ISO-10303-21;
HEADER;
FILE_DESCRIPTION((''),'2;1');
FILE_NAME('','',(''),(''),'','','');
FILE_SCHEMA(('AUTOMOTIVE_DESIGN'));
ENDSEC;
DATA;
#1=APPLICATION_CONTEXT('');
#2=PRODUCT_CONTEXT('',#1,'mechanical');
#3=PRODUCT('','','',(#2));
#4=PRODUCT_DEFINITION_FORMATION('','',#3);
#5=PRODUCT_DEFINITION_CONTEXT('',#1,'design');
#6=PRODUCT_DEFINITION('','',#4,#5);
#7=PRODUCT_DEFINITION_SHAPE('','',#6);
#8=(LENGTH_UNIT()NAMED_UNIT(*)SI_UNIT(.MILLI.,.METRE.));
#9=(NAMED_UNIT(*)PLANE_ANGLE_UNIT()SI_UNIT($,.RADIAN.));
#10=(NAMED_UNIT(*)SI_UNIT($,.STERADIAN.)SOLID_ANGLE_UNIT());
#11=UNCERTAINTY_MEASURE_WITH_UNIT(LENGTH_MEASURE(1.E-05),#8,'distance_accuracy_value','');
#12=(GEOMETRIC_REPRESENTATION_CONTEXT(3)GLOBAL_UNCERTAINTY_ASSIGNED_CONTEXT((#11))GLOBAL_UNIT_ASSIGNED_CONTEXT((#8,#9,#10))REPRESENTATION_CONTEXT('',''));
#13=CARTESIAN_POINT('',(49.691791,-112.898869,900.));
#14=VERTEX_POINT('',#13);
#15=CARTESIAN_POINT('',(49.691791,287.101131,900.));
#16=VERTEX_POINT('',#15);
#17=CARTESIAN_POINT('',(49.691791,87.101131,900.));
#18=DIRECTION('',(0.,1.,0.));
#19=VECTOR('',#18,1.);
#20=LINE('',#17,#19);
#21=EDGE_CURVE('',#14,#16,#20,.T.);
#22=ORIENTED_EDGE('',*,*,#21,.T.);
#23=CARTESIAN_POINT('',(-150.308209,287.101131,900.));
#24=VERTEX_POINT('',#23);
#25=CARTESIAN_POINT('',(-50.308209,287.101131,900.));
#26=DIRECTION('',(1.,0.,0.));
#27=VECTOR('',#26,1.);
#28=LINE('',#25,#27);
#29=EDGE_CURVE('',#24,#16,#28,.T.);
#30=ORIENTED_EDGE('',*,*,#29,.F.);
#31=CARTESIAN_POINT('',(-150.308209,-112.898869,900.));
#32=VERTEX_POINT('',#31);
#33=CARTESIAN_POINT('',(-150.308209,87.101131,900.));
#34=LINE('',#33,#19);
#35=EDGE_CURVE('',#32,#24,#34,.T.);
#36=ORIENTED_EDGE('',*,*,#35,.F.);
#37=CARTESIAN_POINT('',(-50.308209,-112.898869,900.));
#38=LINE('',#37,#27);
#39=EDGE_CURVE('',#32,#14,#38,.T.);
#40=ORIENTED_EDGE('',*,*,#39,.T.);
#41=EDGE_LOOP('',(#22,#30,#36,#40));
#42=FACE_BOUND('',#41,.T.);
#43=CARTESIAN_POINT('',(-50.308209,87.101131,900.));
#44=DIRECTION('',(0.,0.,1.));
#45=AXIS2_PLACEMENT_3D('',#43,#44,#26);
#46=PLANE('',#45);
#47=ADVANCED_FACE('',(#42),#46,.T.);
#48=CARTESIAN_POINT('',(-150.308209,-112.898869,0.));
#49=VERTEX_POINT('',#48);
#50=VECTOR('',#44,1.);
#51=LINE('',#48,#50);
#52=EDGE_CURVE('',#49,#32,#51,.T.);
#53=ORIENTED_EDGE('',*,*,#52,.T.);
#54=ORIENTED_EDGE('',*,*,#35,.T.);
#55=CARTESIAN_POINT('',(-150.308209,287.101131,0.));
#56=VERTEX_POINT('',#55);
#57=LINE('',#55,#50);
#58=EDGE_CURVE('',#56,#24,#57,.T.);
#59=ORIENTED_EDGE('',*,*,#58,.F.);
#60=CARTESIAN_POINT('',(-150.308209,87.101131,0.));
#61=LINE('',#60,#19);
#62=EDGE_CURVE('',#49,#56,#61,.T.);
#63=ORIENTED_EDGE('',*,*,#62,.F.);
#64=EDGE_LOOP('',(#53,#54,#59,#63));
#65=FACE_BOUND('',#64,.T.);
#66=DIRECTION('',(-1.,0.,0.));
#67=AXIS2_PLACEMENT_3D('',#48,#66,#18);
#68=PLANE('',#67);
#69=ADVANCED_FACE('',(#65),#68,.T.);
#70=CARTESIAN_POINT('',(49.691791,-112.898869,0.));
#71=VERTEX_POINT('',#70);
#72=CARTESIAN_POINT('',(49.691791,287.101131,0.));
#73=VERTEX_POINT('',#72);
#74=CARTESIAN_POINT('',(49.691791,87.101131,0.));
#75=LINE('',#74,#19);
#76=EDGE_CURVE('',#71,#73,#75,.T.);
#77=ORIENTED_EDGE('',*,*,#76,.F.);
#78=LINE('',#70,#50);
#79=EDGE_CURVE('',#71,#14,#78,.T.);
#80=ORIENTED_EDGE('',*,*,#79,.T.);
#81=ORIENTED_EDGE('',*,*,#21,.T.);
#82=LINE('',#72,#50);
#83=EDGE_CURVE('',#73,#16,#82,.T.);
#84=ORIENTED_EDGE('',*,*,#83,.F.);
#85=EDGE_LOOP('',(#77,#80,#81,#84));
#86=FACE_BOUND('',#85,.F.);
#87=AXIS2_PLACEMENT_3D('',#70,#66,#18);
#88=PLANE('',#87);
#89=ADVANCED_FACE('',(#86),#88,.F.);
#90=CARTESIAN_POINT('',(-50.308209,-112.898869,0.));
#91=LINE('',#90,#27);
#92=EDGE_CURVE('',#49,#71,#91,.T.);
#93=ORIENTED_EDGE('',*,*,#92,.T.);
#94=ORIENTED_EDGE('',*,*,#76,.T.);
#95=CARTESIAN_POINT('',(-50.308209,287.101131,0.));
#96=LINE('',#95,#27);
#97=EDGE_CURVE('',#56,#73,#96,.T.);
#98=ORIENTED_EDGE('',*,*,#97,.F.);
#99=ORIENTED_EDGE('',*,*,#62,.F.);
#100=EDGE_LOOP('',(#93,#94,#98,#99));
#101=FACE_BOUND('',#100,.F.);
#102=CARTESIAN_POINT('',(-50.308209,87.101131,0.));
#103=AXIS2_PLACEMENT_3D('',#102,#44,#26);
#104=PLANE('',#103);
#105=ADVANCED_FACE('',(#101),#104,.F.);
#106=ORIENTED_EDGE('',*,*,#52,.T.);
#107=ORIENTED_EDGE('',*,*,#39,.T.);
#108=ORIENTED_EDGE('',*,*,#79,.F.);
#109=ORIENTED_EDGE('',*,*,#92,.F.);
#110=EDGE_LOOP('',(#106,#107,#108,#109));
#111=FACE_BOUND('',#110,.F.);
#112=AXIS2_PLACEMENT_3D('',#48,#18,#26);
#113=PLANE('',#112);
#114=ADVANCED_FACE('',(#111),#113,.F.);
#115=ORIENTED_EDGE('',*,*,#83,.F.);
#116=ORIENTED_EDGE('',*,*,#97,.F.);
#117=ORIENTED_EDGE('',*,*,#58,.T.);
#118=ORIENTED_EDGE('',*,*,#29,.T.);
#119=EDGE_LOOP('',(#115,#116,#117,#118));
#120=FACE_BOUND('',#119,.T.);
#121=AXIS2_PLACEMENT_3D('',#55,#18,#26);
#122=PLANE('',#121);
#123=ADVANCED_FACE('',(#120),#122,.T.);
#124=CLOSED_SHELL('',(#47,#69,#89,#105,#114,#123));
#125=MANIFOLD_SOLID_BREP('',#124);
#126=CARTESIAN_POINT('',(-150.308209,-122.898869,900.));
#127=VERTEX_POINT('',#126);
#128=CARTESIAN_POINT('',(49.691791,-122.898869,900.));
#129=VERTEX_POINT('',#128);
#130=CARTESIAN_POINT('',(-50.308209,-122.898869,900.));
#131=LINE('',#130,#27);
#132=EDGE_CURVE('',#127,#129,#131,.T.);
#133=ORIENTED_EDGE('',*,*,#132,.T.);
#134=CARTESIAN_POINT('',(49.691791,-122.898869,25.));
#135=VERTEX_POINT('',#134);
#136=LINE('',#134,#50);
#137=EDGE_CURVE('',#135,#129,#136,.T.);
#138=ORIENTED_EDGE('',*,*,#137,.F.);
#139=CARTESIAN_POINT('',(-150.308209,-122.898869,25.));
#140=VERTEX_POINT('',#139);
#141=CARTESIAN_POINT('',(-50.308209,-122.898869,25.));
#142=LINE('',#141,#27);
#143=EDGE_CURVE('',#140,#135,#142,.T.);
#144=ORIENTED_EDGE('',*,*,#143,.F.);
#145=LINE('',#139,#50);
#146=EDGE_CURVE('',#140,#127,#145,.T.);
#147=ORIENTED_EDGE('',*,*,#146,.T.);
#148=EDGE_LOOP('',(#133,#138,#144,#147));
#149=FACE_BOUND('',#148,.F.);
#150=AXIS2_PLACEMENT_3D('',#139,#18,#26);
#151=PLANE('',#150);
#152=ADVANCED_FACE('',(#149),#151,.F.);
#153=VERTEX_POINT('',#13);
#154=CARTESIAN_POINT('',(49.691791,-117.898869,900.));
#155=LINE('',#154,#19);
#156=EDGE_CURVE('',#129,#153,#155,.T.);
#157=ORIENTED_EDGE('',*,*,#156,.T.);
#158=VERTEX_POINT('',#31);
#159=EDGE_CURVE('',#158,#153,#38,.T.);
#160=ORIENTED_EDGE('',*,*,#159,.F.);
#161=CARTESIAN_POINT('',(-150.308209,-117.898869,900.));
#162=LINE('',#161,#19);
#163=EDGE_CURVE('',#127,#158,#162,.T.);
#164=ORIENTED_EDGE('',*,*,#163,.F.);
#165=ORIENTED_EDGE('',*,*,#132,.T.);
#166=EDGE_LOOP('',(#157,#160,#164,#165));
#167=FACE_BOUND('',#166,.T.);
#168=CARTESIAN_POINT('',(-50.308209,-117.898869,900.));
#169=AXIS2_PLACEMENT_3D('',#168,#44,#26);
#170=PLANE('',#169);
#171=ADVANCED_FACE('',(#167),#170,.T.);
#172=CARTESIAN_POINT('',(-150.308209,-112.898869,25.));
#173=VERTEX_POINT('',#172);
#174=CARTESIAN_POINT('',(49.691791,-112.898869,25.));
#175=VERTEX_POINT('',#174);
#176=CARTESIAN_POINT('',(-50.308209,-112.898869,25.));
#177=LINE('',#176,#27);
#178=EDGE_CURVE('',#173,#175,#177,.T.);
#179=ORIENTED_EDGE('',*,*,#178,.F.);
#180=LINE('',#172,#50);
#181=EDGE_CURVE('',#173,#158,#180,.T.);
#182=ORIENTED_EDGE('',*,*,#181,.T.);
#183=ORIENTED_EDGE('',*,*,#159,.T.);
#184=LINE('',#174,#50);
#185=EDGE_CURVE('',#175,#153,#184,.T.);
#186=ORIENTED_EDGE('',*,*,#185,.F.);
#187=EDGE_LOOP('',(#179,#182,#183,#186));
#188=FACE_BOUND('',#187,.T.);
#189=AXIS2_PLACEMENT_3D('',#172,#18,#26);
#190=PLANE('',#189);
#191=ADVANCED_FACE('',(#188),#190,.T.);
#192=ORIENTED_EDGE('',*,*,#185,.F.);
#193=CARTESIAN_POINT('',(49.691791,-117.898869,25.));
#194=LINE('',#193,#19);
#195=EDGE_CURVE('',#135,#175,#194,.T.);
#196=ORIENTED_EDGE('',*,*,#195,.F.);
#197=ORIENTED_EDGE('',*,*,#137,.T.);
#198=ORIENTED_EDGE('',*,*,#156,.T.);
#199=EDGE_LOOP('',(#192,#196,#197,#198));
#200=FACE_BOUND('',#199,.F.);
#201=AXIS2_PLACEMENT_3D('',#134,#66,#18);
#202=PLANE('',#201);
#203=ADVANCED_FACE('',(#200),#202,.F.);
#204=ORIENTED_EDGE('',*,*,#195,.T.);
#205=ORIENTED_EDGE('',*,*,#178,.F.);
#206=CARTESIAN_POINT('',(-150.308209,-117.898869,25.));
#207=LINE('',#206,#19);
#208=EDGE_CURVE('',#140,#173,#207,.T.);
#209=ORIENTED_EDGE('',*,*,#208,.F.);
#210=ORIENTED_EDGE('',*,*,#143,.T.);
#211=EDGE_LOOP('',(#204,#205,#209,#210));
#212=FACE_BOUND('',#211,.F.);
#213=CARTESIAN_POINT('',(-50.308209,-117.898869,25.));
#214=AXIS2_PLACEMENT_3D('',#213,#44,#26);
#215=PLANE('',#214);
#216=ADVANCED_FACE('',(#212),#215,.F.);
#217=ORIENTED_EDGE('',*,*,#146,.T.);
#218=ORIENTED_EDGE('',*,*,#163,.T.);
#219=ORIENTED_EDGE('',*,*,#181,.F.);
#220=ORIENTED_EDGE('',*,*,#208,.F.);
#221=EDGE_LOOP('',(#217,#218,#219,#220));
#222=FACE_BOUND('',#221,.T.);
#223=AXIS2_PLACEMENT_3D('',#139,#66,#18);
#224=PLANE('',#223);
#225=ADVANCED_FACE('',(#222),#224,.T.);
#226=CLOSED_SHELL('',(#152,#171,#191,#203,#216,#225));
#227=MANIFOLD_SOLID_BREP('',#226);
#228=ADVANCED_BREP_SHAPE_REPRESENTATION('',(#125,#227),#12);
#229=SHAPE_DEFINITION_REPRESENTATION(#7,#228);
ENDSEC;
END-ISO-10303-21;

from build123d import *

# Parameters (mm, degrees)
F0_W     = 200
F0_H     = 400
F1_DEPTH = 900
F2_START = 25
F0_H_2   = 10
F2_DEPTH = 875


with BuildPart() as f1:
    # F0 (on Top) → F1 (new body)
    with BuildSketch(Plane.XY):
        with Locations((-50.3082090989, 87.1011307836)):
            Rectangle(F0_W, F0_H)
    extrude(amount=F1_DEPTH)


with BuildPart() as f2:
    # F0 (on Top) → F2 (new body)
    with BuildSketch(Plane.XY.offset(F2_START)):
        with Locations((-50.3082090989, -117.8988692164)):
            Rectangle(F0_W, F0_H_2)
    extrude(amount=F2_DEPTH)


solid = Compound([f1.part, f2.part])
